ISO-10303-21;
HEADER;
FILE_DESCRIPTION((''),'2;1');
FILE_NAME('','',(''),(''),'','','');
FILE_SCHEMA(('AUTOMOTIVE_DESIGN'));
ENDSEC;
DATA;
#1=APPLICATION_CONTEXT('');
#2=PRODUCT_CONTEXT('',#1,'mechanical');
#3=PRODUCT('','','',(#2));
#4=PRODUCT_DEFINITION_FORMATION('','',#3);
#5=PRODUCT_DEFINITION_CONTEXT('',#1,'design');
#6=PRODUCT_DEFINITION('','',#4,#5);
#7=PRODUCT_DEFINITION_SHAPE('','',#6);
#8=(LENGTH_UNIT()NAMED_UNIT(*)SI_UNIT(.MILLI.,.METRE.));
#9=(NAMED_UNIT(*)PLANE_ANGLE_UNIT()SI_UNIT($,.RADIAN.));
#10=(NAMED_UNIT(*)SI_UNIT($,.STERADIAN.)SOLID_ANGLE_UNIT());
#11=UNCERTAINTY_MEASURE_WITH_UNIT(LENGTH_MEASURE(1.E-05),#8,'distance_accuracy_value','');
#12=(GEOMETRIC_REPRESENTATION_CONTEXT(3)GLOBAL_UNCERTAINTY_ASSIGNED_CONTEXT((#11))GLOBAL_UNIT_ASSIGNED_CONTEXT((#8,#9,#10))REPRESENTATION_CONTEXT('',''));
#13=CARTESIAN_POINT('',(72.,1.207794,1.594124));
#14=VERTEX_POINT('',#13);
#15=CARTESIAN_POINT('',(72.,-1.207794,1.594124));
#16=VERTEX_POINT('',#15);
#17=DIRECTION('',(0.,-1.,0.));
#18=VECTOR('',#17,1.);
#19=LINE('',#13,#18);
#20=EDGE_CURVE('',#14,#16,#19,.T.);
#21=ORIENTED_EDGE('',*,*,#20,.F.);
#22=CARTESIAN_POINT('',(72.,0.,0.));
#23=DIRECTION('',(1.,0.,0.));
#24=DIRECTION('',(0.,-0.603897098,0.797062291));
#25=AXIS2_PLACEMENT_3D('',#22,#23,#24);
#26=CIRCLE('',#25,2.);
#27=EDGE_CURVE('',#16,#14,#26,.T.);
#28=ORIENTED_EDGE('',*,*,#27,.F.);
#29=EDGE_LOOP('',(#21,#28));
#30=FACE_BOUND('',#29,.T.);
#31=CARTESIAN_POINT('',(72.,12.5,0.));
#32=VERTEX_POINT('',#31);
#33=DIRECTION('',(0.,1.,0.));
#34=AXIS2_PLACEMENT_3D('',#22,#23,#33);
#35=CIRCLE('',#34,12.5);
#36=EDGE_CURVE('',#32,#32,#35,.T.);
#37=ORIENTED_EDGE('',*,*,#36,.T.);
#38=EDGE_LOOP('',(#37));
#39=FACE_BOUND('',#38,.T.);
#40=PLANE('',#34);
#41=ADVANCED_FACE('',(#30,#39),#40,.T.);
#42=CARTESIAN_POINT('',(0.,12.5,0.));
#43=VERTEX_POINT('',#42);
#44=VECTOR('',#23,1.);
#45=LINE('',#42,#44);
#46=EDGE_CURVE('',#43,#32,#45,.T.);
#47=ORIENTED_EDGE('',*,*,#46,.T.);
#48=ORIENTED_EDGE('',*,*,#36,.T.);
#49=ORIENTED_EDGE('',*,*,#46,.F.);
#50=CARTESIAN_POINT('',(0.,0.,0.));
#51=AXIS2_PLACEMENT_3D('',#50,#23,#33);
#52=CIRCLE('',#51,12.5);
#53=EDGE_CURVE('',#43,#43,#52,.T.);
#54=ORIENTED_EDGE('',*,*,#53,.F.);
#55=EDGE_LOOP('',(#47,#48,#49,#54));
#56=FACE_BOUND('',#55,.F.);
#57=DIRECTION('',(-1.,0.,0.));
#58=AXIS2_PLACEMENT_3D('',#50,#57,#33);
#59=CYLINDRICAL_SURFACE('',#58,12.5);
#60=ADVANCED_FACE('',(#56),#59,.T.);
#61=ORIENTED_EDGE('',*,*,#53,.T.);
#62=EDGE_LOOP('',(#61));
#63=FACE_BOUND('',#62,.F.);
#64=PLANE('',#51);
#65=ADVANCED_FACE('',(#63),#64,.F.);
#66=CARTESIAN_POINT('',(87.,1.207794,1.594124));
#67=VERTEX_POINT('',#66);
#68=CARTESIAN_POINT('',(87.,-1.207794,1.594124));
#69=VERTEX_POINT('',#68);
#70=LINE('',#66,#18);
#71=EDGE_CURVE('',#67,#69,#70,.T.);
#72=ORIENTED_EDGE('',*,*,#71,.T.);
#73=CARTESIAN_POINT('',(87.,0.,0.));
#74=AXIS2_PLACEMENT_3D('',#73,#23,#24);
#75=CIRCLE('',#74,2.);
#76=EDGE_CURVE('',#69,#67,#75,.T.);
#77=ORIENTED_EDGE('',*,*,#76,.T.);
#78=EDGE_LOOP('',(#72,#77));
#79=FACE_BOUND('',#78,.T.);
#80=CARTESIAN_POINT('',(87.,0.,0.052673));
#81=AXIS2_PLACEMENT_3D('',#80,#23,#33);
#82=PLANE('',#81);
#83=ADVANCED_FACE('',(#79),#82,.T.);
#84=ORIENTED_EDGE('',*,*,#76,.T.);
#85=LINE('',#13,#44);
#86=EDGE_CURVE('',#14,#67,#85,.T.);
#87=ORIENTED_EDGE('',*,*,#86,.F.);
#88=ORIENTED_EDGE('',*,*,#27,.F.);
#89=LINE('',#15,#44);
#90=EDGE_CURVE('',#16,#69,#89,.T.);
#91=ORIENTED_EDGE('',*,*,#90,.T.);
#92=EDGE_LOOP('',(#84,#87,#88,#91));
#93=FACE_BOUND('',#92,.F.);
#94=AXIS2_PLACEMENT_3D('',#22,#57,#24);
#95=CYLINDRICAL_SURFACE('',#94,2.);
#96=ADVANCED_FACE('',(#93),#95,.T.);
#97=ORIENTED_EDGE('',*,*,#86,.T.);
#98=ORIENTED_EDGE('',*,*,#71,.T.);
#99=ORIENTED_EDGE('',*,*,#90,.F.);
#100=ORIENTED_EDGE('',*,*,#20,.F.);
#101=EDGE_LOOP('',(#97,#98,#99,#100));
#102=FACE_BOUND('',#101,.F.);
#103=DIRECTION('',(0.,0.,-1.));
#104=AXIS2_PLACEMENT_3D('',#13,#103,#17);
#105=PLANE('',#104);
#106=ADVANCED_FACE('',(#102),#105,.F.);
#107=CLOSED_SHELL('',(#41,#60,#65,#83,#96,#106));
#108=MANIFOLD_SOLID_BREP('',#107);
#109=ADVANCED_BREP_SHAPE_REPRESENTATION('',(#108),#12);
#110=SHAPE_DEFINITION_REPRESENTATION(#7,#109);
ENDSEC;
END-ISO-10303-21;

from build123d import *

# Parameters (mm, degrees)
F0_R     = 12.5
F1_DEPTH = 72
F3_DEPTH = 15


with BuildPart() as f1:
    # F0 (on Right) → F1 (new body)
    with BuildSketch(Plane.YZ):
        Circle(F0_R)
    extrude(amount=F1_DEPTH)

    # F2 (on face) → F3 (join)
    with BuildSketch(Plane.YZ.offset(72)):
        with BuildLine():
            Line((1.207794, 1.594124), (-1.207794, 1.594124))
            ThreePointArc((-1.207794, 1.594124), (0, -2), (1.207794, 1.594124))
        make_face()
    extrude(amount=F3_DEPTH)


solid = f1.part
